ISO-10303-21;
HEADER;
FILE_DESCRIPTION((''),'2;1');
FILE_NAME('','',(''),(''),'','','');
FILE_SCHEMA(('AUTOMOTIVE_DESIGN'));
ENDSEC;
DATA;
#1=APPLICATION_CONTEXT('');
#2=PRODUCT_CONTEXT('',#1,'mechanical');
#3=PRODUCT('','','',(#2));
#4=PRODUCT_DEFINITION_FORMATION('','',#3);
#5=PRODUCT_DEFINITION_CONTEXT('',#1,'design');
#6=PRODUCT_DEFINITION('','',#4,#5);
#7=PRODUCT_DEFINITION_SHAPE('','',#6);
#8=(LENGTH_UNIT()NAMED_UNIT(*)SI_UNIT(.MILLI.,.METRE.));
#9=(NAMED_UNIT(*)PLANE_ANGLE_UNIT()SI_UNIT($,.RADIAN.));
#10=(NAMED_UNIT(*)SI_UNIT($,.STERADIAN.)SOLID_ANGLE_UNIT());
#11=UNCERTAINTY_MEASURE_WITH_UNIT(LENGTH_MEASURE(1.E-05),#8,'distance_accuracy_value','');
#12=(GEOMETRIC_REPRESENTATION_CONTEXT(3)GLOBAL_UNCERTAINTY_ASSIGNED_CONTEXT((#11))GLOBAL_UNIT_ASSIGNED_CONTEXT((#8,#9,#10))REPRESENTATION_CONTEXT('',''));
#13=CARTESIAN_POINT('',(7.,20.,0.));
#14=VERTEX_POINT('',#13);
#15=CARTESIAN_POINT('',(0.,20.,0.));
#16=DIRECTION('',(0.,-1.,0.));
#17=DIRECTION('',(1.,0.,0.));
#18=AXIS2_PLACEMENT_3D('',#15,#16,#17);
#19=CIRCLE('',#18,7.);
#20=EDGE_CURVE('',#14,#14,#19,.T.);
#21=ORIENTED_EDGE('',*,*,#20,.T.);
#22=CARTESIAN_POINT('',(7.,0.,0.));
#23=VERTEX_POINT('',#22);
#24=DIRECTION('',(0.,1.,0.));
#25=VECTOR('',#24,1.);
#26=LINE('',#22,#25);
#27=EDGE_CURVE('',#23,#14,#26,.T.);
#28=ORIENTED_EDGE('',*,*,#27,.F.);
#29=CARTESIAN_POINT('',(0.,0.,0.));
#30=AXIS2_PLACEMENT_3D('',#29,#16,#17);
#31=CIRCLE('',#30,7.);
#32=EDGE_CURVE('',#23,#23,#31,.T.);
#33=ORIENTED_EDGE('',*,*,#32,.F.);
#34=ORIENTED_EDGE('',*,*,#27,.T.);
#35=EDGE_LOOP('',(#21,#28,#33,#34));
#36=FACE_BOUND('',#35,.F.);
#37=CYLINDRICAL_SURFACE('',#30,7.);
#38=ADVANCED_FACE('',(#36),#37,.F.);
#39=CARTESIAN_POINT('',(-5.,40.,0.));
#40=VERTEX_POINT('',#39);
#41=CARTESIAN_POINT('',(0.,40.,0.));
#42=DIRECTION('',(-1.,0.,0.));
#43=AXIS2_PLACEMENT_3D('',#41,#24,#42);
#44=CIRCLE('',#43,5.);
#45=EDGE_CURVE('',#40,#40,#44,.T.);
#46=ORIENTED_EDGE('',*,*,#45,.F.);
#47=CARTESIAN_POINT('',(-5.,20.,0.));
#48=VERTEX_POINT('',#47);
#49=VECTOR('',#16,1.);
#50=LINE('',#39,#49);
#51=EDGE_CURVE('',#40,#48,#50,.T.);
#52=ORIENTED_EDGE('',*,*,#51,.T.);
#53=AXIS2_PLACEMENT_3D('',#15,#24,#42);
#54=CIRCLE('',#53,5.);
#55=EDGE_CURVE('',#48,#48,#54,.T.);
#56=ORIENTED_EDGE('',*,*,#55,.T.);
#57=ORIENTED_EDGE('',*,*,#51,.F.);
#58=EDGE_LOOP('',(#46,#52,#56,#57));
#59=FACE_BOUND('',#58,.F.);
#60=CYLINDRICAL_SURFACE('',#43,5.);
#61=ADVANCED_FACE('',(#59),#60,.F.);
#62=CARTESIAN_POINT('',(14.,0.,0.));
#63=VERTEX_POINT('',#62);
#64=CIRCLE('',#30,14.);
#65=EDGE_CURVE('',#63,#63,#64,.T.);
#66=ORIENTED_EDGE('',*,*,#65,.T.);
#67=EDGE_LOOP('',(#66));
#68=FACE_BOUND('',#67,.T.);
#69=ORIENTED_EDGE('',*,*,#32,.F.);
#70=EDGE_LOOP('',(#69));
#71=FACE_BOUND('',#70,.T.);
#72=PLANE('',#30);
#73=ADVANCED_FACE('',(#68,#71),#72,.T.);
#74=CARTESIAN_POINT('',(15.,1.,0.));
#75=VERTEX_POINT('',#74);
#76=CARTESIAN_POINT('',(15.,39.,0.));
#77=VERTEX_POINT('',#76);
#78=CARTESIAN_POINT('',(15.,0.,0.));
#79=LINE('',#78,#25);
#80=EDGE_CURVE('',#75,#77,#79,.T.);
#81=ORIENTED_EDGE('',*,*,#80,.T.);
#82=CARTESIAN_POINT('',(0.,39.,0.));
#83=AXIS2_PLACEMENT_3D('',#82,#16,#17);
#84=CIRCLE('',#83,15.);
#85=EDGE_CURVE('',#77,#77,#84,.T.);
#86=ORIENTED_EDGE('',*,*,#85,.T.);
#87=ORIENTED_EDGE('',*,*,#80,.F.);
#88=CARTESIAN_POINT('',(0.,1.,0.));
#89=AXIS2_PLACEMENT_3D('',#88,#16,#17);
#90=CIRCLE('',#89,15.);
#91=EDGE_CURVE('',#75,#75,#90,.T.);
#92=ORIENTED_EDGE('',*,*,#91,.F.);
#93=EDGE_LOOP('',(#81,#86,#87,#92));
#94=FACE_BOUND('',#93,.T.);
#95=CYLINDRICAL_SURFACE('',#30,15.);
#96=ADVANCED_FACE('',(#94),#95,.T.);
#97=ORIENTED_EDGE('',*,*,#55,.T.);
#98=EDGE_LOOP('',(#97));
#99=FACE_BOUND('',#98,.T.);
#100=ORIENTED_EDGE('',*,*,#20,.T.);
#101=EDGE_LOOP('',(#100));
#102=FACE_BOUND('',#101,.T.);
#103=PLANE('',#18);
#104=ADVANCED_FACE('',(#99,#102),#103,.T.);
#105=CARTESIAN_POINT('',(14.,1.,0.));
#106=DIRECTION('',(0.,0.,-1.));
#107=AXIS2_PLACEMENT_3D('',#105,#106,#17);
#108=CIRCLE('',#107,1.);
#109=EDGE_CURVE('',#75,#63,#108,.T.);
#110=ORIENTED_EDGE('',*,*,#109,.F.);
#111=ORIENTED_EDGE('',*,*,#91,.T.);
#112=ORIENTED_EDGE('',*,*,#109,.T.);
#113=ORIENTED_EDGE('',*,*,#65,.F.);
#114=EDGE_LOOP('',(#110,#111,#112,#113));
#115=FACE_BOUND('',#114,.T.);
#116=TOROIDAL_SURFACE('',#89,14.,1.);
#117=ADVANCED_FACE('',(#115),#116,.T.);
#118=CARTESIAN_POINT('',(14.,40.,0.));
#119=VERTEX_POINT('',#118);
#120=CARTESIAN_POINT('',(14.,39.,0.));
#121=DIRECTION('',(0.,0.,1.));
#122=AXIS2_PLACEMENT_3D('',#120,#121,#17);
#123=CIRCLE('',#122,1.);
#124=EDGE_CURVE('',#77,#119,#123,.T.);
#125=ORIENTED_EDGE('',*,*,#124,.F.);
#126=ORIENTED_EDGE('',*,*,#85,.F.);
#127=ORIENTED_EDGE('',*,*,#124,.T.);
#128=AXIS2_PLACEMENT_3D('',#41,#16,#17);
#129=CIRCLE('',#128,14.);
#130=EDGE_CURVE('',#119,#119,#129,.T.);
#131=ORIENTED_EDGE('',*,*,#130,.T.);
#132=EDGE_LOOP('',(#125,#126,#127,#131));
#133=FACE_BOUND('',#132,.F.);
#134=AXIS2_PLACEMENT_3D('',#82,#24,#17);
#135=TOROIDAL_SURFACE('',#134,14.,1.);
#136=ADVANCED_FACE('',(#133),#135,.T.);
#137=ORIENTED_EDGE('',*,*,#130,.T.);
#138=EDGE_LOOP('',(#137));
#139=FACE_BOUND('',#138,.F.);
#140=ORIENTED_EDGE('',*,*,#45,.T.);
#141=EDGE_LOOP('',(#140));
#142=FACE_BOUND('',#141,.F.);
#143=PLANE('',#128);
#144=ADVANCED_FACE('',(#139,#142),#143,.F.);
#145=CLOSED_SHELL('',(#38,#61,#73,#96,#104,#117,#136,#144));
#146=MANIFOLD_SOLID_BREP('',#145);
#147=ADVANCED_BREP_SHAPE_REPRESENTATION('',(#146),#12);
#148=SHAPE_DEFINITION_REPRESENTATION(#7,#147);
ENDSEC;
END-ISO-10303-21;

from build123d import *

# Parameters (mm, degrees)
F6_R     = 15
F0_DEPTH = 40
F1_R     = 1
F2_R     = 7
F3_DEPTH = 20
F4_R     = 5
F5_DEPTH = 20


with BuildPart() as f0:
    # F6 (on Front) → F0 (new body)
    with BuildSketch(Plane.XZ):
        Circle(F6_R)
    extrude(amount=-F0_DEPTH)

    # F1
    f1_edges = [f0.edges().sort_by_distance(p)[0] for p in [
        (-15, 0, 0),
        (-15, 40, 0),
    ]]
    fillet(f1_edges, radius=F1_R)

    # F2 (on face) → F3 (cut)
    with BuildSketch(Plane.XZ):
        Circle(F2_R)
    extrude(amount=-F3_DEPTH, mode=Mode.SUBTRACT)

    # F4 (on face) → F5 (cut)
    with BuildSketch(Plane(origin=(0, 40, 0), x_dir=(-1, 0, 0), z_dir=(0, 1, 0))):
        Circle(F4_R)
    extrude(amount=-F5_DEPTH, mode=Mode.SUBTRACT)


solid = f0.part
